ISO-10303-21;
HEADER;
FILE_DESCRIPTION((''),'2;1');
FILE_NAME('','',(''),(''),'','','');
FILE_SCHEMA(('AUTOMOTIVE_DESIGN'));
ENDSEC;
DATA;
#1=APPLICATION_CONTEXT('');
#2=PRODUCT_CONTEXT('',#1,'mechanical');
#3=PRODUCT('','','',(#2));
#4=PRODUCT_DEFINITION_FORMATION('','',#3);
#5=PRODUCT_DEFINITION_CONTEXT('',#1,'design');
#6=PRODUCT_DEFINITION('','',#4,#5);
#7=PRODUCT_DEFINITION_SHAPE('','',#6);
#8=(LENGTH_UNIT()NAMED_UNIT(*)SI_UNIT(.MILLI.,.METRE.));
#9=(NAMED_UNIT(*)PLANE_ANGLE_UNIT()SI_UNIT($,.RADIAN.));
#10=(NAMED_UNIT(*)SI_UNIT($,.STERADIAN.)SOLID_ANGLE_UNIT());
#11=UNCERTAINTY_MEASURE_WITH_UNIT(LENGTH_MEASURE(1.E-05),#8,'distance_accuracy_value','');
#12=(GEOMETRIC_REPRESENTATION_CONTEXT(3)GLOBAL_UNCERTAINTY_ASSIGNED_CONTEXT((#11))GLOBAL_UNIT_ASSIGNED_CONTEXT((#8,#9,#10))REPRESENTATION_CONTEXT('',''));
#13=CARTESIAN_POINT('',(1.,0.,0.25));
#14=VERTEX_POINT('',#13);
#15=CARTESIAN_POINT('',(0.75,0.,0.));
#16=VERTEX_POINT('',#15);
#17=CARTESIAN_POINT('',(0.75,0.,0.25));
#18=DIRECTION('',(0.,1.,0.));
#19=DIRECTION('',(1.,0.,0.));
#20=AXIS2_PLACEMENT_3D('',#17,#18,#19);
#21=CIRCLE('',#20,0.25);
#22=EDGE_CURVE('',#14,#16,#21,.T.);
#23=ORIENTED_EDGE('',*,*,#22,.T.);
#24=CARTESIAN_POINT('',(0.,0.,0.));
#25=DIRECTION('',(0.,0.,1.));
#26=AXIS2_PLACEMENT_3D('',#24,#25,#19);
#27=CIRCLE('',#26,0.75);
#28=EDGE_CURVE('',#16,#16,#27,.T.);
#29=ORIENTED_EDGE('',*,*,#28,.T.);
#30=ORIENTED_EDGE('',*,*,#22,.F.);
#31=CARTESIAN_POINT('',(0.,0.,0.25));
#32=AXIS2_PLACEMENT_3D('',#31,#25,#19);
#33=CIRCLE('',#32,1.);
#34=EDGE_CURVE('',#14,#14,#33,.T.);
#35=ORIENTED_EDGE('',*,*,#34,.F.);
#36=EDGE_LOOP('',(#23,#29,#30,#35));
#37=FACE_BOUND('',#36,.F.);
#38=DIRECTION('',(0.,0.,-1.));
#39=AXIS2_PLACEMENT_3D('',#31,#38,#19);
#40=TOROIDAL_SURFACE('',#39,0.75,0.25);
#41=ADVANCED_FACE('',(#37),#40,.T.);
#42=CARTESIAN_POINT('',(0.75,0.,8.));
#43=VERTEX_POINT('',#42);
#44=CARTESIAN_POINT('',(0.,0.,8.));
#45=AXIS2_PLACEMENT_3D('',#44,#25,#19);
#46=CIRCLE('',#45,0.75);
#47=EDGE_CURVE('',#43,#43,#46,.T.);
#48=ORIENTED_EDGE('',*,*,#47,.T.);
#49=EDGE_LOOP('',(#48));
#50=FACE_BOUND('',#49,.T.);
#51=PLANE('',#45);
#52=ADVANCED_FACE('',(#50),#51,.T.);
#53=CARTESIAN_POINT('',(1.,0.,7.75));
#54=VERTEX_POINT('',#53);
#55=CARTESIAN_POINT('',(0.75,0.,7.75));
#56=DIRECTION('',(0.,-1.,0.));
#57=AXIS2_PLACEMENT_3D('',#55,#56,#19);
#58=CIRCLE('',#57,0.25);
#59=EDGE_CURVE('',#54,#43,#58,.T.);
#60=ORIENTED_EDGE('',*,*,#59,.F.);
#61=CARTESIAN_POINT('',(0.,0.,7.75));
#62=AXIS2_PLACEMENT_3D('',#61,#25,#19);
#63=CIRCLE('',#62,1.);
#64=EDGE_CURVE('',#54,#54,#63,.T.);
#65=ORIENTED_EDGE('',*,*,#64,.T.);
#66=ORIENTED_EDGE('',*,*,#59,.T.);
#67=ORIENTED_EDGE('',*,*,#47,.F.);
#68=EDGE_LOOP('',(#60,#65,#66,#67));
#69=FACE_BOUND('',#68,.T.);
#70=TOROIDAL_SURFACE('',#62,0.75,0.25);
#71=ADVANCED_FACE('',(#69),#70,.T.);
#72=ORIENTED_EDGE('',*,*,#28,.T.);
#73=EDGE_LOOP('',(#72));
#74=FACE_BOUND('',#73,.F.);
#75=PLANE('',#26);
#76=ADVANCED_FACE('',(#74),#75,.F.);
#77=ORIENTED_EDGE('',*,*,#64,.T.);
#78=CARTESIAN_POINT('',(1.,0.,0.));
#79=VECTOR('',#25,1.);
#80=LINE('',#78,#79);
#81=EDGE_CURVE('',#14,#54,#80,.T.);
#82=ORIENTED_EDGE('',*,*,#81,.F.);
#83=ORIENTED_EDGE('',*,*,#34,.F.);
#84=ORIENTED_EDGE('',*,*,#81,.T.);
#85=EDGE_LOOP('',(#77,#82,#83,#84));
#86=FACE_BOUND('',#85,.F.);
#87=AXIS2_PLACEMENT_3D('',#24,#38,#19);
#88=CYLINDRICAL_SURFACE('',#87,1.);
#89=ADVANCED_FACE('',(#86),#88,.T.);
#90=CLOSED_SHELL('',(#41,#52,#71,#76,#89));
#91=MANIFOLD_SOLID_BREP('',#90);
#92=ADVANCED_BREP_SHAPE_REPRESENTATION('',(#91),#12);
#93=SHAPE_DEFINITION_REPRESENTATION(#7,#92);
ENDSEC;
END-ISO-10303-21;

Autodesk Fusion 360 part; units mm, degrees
sketch "Sketch1" plane through (0, 0, 0) normal (0, 0, 1) x (1, 0, 0)
  circle A0 centre (0, 0) radius 1
  dimension "d1" = 2
extrude "Extrude1" add sketch "Sketch1" along normal blind 8
fillet "Fillet1" radius 0.25 2 edges at (-0.9323, -0.3616, 8) (-0.9323, -0.3616, 0)
